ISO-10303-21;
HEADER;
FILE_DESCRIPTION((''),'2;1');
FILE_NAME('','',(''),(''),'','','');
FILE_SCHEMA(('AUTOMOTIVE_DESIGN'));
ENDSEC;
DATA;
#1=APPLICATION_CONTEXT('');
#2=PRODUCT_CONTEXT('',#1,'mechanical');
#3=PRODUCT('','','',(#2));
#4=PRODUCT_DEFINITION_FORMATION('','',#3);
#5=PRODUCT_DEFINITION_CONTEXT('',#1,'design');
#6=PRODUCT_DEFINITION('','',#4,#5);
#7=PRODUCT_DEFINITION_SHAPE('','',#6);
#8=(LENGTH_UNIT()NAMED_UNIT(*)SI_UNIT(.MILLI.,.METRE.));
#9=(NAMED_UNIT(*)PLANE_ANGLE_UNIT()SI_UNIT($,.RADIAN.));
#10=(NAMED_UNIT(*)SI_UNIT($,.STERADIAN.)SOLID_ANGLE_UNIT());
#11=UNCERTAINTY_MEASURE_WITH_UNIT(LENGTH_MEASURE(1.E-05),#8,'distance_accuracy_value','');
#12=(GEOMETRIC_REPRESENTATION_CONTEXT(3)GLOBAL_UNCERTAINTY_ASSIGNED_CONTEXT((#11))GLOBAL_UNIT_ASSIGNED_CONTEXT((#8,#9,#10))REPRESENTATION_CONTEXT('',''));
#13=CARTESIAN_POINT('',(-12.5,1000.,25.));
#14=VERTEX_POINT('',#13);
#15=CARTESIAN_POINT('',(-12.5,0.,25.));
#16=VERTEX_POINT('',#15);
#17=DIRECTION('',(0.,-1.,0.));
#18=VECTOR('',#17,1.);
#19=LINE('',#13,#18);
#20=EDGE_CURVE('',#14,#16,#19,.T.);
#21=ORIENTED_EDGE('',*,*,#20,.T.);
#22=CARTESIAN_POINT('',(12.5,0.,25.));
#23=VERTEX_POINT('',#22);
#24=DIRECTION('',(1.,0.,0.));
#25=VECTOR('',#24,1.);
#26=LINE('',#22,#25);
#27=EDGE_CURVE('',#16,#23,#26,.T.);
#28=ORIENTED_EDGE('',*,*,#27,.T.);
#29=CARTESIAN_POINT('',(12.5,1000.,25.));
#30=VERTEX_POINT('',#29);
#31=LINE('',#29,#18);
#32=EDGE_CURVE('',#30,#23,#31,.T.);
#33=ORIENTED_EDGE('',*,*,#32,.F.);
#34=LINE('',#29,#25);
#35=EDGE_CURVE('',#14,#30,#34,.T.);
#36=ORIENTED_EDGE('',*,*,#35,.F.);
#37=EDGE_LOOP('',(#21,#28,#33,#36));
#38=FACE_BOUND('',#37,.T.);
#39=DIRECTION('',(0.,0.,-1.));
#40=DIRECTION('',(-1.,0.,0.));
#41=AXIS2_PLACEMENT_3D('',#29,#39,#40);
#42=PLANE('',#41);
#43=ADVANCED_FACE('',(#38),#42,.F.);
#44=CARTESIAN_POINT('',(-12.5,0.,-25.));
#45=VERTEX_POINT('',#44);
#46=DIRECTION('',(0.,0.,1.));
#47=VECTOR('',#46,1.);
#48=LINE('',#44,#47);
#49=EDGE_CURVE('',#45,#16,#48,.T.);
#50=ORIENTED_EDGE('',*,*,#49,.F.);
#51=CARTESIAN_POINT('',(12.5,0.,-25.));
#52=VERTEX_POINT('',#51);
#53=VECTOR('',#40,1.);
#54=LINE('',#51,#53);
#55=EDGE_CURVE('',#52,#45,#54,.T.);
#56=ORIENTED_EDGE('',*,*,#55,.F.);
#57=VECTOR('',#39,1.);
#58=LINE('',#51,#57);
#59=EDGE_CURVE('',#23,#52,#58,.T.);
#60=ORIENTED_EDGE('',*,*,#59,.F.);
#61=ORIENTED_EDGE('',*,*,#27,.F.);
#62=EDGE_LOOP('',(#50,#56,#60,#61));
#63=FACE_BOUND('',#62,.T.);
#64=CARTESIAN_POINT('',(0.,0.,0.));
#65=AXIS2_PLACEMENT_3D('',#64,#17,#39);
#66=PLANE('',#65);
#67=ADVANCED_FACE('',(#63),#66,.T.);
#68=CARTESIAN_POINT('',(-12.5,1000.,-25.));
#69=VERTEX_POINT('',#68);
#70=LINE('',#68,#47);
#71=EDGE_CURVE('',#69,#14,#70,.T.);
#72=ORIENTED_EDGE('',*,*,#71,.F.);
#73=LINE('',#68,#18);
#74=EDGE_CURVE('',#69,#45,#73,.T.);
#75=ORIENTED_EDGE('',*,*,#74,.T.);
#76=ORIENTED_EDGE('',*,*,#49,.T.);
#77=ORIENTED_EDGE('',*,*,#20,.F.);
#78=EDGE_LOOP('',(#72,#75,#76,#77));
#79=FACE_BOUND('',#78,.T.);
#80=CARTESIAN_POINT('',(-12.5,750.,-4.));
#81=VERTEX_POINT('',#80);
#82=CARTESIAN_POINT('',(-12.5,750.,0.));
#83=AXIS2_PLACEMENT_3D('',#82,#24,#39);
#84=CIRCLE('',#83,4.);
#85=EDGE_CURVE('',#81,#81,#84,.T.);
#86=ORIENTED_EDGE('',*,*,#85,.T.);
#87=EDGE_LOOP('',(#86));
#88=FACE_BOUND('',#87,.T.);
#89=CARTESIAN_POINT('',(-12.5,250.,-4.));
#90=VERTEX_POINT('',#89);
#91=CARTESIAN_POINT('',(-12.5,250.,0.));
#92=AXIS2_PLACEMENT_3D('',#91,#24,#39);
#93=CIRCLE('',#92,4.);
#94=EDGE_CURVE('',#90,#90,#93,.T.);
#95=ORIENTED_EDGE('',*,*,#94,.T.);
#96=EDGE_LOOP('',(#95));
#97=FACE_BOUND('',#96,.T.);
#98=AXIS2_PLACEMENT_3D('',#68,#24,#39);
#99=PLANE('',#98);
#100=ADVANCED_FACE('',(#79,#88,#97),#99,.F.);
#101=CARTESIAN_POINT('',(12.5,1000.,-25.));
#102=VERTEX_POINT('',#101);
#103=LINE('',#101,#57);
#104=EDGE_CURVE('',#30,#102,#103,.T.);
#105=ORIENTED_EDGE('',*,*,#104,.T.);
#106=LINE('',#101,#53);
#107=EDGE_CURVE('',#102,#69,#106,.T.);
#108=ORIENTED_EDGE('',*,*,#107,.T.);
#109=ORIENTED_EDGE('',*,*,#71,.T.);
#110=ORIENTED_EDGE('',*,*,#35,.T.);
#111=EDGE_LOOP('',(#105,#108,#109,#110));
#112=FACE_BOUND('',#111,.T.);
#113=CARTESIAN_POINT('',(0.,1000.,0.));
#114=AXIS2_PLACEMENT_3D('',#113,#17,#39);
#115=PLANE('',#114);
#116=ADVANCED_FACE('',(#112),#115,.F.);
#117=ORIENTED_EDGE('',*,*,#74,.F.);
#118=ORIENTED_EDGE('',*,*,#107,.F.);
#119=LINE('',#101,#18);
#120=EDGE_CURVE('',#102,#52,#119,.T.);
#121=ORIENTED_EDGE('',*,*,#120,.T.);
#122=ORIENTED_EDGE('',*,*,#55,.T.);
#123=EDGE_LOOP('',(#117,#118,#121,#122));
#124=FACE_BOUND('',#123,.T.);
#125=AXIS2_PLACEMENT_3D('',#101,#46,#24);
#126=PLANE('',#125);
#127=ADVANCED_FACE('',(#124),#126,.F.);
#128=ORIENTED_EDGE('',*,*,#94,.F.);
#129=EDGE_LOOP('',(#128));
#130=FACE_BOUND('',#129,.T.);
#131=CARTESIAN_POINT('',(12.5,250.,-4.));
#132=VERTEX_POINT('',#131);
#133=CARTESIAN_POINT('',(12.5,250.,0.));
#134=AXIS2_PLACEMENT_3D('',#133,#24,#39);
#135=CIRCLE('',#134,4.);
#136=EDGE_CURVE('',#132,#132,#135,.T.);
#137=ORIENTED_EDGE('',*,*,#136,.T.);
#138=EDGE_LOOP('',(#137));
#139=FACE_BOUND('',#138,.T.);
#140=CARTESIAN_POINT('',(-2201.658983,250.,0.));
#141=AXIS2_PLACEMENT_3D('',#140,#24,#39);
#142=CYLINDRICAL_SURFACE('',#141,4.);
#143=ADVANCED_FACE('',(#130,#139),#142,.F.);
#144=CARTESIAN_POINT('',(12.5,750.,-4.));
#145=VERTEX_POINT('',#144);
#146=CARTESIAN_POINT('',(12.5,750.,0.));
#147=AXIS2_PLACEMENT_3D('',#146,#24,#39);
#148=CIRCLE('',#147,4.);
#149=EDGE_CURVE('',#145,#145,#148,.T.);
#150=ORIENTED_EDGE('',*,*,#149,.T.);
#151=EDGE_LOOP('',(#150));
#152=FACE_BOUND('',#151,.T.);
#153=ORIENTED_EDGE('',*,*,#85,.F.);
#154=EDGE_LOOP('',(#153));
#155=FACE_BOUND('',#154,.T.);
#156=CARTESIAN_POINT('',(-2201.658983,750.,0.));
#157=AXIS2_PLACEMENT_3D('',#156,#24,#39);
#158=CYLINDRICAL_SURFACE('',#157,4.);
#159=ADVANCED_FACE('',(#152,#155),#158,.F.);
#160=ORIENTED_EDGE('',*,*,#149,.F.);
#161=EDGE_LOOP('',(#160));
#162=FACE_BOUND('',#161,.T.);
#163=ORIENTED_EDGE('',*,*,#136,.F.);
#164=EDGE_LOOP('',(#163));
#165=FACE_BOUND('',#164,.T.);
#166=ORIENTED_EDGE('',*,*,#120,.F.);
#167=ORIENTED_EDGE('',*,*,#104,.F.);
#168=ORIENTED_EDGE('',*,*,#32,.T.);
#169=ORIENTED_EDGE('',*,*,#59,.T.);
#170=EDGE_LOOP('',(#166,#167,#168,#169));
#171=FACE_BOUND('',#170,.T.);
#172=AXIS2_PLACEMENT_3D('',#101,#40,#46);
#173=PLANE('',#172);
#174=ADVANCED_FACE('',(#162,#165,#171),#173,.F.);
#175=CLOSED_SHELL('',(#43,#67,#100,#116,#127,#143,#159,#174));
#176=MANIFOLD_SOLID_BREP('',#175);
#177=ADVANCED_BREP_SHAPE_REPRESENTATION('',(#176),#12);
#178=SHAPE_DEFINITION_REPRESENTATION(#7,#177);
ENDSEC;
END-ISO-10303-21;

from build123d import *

# Parameters (mm, degrees)
SKETCH_1_W          = 25
SKETCH_1_H          = 50
EXTRUDE_1_DEPTH     = 1000
SKETCH_2_R          = 4
CUT_EXTRUDE_1_DEPTH = 2214.15898255


with BuildPart() as part:
    # Эскиз1 → Бобышка-Вытянуть1 (new body)
    with BuildSketch(Plane(origin=(0, 0, 0), x_dir=(1, 0, 0), z_dir=(0, 1, 0))):
        Rectangle(SKETCH_1_W, SKETCH_1_H)
    extrude(amount=EXTRUDE_1_DEPTH)

    # Эскиз2 → Вырез-Вытянуть1 (cut)
    with BuildSketch(Plane(origin=(12.5, 0, 0), x_dir=(0, 0, -1), z_dir=(1, 0, 0))):
        with Locations((0, 250)):
            Circle(SKETCH_2_R)
        with Locations((0, 750)):
            Circle(SKETCH_2_R)
    extrude(amount=-CUT_EXTRUDE_1_DEPTH, mode=Mode.SUBTRACT)


solid = part.part
